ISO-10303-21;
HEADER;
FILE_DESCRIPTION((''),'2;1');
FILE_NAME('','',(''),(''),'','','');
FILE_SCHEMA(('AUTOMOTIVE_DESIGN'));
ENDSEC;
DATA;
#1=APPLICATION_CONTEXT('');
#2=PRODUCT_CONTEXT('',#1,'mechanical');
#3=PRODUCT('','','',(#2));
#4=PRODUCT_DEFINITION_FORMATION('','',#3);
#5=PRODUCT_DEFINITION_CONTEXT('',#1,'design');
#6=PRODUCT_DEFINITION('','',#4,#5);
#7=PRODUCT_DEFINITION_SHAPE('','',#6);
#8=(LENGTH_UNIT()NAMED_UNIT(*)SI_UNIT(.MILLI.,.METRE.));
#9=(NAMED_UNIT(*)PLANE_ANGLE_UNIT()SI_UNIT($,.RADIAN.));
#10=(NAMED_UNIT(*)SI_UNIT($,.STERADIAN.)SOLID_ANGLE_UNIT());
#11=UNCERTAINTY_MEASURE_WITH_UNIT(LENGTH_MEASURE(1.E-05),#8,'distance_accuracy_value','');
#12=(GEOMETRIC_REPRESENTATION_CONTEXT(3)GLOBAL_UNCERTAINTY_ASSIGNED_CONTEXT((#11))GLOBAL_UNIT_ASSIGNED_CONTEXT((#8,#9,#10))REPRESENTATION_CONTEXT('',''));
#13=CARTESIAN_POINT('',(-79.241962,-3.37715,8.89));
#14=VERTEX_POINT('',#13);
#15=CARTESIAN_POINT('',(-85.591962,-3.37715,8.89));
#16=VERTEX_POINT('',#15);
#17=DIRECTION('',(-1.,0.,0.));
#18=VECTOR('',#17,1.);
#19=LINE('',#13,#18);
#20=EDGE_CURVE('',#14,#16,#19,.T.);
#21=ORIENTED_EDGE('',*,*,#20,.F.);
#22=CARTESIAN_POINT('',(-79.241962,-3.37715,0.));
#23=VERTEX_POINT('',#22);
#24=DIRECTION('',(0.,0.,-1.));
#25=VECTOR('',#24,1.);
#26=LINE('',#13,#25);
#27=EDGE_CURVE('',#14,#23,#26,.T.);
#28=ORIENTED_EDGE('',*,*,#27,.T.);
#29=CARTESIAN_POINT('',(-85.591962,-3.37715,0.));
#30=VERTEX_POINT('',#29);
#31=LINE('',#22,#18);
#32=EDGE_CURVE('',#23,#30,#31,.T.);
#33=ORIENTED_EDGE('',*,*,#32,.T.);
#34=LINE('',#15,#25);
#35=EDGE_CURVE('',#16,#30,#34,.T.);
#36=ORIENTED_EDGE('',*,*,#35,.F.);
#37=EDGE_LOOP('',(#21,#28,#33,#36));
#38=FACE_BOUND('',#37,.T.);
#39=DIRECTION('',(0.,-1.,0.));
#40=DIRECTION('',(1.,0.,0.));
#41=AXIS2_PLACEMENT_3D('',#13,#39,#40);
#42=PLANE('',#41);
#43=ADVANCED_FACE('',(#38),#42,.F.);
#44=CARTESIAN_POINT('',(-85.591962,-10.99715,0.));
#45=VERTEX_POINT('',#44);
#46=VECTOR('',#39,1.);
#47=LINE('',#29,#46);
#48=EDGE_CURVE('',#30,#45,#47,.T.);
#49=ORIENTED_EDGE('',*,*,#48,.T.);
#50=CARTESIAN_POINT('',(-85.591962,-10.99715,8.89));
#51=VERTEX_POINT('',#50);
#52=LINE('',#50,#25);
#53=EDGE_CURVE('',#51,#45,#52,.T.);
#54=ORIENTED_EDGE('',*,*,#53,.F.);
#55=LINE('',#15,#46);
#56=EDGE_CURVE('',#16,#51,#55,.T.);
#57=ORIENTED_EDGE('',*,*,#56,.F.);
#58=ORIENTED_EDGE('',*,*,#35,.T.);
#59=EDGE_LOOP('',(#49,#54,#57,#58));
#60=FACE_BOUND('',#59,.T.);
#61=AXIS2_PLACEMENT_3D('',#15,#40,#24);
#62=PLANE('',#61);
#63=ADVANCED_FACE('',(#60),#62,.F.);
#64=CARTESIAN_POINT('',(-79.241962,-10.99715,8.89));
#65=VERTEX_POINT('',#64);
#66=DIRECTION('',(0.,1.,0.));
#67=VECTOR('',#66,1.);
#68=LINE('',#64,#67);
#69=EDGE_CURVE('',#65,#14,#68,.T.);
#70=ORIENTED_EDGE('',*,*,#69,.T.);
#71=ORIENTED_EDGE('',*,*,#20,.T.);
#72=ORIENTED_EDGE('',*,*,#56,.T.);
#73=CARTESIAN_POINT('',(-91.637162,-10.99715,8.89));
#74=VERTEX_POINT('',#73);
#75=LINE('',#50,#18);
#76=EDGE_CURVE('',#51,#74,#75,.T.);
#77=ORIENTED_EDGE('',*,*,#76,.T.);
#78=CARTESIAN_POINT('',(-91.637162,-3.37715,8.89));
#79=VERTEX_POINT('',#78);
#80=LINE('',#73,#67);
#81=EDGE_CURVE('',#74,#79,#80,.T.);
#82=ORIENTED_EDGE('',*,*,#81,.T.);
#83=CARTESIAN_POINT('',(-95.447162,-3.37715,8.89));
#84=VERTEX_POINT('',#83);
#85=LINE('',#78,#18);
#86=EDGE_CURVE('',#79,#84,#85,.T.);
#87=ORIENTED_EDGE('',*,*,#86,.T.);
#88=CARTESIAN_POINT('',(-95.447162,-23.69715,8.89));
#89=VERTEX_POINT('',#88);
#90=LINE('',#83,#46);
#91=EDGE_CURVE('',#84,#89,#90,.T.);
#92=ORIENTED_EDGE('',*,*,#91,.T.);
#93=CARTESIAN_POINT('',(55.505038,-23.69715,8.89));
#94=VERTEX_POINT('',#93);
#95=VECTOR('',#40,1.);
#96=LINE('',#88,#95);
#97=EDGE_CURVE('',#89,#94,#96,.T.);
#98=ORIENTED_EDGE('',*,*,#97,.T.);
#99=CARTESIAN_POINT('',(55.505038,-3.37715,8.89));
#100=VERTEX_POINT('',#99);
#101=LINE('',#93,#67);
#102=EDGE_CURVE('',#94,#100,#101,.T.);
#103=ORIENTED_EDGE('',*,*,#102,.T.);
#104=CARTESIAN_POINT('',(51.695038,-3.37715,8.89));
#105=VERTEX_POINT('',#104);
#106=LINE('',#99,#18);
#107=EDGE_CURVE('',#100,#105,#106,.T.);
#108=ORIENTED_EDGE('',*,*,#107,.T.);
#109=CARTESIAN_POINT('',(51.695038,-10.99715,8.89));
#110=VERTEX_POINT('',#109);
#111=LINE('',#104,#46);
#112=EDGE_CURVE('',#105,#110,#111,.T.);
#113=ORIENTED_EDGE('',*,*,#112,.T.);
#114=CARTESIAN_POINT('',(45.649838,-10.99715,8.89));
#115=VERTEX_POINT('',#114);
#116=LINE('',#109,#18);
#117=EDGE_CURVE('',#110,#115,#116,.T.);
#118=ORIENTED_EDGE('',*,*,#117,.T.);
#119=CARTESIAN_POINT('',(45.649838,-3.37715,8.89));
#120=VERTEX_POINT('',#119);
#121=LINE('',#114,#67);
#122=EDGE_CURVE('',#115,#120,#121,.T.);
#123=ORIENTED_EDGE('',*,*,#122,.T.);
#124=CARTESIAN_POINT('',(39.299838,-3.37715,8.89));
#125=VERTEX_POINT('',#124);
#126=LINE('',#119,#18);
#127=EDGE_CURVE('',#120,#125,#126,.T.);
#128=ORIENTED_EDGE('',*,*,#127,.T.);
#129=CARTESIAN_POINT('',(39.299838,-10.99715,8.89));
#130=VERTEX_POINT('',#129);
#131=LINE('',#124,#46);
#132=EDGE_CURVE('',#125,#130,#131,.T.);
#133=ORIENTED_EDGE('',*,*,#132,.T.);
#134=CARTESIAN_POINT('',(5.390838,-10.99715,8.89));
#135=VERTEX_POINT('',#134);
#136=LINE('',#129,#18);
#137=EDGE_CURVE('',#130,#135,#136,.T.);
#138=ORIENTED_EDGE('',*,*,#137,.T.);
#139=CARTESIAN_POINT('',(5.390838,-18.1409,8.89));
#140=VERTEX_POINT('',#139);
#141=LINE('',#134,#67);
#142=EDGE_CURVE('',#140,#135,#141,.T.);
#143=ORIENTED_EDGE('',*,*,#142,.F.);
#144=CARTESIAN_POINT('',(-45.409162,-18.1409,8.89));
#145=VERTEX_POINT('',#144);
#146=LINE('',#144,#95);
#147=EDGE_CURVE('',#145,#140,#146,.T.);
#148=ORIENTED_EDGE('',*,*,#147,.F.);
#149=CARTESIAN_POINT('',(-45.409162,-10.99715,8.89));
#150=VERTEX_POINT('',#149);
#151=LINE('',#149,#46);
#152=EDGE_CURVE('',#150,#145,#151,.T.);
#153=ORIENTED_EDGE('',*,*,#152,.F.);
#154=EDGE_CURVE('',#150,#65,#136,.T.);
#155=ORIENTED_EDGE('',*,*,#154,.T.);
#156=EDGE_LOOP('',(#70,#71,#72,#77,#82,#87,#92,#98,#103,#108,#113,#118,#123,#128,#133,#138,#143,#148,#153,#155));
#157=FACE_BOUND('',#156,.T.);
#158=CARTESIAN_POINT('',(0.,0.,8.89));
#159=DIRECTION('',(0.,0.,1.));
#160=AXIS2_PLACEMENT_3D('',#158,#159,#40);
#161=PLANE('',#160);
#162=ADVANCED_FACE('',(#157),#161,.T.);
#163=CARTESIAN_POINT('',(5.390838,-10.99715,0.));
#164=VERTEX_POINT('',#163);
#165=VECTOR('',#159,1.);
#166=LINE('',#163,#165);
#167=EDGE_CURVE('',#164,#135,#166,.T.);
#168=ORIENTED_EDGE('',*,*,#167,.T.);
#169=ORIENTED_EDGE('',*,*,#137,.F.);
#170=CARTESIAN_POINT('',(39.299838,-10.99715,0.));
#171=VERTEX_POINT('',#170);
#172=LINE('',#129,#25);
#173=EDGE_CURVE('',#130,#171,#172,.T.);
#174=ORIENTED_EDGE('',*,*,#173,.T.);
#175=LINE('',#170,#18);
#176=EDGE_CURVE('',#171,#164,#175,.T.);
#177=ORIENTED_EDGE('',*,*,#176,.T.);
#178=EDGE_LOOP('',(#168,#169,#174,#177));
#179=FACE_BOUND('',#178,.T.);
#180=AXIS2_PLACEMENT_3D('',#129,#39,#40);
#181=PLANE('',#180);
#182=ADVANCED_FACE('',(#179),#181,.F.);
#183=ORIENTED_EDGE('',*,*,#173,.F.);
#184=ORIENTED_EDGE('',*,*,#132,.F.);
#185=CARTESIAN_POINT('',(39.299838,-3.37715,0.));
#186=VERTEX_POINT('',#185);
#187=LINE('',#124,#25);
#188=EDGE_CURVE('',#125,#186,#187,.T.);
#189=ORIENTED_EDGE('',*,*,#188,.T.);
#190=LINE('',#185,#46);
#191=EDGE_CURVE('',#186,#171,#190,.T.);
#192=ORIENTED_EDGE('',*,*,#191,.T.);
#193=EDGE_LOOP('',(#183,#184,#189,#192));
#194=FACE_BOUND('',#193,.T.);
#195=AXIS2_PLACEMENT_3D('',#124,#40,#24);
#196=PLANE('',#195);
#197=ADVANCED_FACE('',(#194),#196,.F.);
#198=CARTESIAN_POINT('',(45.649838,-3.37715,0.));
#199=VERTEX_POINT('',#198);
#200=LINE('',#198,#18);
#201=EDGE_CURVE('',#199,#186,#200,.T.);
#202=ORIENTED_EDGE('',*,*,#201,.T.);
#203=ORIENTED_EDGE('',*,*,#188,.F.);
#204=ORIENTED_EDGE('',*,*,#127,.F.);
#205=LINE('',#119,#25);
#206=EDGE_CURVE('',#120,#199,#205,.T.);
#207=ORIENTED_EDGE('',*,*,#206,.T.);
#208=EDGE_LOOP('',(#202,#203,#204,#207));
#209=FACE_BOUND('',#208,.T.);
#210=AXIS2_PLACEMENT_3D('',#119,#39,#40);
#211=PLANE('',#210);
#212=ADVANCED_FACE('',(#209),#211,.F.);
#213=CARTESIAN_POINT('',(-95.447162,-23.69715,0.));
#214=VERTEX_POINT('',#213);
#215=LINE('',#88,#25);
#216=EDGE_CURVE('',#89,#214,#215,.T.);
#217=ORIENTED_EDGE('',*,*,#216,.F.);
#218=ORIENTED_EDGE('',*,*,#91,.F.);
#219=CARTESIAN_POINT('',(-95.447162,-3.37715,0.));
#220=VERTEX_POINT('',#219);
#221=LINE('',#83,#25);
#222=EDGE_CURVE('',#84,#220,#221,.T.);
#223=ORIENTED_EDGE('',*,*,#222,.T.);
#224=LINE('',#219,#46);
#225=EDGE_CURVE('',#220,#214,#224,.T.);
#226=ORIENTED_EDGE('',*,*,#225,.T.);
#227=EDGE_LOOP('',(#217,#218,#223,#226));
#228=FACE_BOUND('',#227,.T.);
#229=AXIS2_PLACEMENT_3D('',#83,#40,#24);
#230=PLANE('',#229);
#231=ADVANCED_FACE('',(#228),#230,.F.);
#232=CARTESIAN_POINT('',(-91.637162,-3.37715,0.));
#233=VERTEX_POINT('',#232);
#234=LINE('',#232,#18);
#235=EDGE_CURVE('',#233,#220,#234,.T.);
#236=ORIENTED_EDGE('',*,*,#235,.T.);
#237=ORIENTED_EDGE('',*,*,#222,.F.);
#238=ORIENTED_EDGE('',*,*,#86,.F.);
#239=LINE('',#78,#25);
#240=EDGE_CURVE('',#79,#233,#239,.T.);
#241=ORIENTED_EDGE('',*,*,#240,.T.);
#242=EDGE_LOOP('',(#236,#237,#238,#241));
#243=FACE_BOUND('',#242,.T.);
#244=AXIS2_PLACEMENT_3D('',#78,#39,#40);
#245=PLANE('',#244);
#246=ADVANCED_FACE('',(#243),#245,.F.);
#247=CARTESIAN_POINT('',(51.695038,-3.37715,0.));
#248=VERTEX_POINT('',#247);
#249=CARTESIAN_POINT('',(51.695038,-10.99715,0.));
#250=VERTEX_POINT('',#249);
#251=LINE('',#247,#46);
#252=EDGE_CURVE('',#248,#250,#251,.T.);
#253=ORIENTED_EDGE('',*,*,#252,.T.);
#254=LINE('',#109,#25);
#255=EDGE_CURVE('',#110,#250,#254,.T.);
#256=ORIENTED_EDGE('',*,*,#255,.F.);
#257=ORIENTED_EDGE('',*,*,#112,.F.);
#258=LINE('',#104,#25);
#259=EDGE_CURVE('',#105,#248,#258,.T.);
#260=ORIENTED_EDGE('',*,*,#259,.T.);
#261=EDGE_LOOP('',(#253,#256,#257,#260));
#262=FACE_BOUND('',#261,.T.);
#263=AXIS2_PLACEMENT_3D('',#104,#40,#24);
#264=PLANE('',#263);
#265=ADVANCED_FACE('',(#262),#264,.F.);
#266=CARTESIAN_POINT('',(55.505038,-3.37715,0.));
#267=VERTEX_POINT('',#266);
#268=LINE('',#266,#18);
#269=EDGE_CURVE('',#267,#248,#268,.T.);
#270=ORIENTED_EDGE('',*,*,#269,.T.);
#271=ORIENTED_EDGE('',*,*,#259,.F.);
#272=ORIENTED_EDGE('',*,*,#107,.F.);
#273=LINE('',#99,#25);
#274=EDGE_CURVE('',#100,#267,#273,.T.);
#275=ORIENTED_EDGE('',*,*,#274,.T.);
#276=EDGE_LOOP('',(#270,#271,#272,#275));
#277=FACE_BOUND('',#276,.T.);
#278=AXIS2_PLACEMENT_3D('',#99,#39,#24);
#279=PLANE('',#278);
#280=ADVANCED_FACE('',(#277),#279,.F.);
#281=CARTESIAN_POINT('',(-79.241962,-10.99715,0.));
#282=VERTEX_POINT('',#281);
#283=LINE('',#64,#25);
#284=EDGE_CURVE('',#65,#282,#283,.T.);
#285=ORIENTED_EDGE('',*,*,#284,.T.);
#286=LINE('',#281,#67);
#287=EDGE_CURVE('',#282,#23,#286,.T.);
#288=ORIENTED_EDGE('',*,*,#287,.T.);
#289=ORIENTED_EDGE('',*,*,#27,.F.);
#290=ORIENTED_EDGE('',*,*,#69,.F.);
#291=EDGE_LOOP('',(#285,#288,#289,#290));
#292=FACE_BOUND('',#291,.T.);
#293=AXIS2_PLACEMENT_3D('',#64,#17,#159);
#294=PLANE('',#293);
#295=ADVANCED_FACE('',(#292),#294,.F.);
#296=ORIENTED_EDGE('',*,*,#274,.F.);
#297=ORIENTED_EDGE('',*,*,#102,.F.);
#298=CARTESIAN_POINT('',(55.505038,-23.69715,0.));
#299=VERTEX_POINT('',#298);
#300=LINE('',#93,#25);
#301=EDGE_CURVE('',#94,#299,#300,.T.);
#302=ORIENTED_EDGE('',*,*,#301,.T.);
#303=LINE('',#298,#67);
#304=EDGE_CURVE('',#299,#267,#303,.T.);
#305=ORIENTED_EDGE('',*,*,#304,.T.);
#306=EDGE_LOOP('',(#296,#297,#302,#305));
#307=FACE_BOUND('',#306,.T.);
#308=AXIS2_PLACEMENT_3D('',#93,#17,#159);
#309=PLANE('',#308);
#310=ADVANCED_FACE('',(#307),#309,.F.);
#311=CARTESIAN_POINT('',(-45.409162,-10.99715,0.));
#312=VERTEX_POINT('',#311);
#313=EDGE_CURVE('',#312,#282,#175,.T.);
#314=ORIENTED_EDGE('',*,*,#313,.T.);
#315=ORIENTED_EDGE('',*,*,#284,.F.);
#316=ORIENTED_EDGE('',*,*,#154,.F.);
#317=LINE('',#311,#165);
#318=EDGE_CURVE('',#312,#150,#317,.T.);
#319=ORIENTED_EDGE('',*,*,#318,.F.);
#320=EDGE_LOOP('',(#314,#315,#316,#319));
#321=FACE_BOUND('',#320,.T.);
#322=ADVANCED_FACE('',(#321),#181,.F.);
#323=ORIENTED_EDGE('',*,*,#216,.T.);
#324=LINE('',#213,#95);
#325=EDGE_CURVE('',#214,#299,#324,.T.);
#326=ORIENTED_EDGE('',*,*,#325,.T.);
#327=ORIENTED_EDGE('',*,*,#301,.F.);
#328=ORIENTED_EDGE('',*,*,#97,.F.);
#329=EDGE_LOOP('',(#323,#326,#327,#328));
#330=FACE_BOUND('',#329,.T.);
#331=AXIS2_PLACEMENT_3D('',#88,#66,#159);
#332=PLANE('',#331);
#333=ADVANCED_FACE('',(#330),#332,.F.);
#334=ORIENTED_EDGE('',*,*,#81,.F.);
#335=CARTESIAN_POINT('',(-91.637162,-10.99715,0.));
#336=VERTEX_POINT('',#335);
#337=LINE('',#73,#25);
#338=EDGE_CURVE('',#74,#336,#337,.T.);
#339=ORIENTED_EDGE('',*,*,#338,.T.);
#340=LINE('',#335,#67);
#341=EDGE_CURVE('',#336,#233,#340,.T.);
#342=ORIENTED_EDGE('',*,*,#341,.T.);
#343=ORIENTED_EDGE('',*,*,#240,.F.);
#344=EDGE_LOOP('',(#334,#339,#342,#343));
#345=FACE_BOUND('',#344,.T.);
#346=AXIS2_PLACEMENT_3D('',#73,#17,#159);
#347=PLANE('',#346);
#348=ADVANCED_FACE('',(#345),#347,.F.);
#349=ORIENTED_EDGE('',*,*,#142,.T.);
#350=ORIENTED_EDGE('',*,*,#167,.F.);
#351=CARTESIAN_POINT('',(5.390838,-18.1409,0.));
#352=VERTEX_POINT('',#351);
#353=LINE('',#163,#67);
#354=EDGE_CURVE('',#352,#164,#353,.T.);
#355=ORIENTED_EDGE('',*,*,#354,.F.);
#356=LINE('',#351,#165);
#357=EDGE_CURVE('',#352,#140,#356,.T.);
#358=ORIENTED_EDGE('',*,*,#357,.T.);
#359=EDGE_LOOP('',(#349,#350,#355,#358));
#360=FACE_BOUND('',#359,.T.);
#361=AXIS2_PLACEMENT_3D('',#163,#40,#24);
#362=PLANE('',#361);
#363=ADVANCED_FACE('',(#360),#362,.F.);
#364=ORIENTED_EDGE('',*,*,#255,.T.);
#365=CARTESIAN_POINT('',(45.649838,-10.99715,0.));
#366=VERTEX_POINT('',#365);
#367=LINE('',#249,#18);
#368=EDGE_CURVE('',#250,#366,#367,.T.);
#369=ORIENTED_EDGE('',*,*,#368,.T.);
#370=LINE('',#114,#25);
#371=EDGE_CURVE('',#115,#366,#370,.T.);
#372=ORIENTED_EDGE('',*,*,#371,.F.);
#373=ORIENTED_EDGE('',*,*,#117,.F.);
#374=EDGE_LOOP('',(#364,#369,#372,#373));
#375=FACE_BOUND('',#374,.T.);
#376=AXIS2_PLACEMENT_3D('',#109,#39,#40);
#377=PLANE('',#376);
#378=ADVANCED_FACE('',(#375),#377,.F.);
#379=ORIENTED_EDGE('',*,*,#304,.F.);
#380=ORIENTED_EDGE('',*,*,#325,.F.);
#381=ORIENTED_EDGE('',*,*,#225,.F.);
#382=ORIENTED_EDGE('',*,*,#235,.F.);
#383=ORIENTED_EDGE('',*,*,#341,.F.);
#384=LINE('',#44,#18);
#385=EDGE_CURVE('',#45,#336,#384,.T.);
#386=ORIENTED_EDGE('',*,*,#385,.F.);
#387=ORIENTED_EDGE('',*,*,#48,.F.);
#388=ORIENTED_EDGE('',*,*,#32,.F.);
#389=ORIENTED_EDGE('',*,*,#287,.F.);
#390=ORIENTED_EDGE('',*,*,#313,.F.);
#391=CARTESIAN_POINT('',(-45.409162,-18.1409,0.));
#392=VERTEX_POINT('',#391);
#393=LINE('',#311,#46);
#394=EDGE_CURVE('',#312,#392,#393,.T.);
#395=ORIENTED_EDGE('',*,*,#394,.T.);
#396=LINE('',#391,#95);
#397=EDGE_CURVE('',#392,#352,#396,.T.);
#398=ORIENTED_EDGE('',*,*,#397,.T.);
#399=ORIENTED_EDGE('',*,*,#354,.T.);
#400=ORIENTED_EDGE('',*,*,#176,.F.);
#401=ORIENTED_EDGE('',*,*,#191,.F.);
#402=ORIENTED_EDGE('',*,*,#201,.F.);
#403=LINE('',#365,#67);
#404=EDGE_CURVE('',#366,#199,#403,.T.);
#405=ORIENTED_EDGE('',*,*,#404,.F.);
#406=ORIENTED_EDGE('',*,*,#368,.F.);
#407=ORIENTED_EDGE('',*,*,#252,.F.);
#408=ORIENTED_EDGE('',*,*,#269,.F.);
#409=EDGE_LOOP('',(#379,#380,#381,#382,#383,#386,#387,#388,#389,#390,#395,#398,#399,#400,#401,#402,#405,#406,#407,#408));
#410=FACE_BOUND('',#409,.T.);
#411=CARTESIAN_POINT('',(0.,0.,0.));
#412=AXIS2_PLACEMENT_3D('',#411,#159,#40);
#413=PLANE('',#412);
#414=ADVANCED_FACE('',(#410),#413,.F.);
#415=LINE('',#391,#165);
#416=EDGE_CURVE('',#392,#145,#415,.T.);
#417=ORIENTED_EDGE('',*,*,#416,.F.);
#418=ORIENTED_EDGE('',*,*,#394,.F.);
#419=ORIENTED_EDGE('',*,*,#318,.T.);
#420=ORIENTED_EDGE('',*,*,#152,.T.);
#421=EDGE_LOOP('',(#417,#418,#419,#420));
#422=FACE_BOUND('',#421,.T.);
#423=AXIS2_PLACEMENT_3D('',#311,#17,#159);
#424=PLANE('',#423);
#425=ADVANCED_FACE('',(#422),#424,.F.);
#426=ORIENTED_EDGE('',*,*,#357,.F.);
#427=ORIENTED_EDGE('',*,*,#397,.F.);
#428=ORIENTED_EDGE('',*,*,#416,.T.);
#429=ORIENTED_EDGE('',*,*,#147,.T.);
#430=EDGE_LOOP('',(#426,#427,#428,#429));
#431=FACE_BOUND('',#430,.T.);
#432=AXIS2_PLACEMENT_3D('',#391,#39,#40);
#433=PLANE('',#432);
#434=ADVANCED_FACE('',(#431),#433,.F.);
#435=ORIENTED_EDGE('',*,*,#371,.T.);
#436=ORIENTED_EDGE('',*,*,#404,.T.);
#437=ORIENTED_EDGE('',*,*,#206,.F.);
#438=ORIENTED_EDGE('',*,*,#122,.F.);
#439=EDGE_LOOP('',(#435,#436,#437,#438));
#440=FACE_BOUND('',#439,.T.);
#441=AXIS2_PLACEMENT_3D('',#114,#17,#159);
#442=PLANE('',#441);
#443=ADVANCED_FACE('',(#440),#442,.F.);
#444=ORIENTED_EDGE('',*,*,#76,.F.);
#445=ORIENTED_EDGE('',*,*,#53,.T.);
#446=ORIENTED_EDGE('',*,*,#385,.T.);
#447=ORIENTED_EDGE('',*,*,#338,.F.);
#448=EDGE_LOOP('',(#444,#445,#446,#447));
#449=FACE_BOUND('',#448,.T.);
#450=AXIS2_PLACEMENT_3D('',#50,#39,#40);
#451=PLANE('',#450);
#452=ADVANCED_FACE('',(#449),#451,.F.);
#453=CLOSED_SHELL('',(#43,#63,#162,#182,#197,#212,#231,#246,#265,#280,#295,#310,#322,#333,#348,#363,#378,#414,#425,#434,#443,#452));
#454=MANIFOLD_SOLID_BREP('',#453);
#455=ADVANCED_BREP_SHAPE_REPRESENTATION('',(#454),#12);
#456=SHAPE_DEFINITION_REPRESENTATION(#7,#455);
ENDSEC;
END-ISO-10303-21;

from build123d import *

# Parameters (mm, degrees)
BOSS_EXTRUDE1_DEPTH = 8.89
SKETCH2_W           = 50.8
SKETCH2_H           = 7.14375
CUT_EXTRUDE1_DEPTH  = 8.89


with BuildPart() as part:
    # Sketch1 → Boss-Extrude1 (new body)
    with BuildSketch(Plane.XY):
        Polygon((-95.447161757, -23.697149871), (55.505038243, -23.697149871), (55.505038243, -3.377149871), (51.695038243, -3.377149871), (51.695038243, -10.997149871), (45.649838243, -10.997149871), (45.649838243, -3.377149871), (39.299838243, -3.377149871), (39.299838243, -10.997149871), (-79.241961757, -10.997149871), (-79.241961757, -3.377149871), (-85.591961757, -3.377149871), (-85.591961757, -10.997149871), (-91.637161757, -10.997149871), (-91.637161757, -3.377149871), (-95.447161757, -3.377149871), align=None)
    extrude(amount=BOSS_EXTRUDE1_DEPTH)

    # Sketch2 → Cut-Extrude1 (cut)
    with BuildSketch(Plane.XY.offset(8.89)):
        with Locations((-20.009161757, -14.569024871)):
            Rectangle(SKETCH2_W, SKETCH2_H)
    extrude(amount=-CUT_EXTRUDE1_DEPTH, mode=Mode.SUBTRACT)


solid = part.part
